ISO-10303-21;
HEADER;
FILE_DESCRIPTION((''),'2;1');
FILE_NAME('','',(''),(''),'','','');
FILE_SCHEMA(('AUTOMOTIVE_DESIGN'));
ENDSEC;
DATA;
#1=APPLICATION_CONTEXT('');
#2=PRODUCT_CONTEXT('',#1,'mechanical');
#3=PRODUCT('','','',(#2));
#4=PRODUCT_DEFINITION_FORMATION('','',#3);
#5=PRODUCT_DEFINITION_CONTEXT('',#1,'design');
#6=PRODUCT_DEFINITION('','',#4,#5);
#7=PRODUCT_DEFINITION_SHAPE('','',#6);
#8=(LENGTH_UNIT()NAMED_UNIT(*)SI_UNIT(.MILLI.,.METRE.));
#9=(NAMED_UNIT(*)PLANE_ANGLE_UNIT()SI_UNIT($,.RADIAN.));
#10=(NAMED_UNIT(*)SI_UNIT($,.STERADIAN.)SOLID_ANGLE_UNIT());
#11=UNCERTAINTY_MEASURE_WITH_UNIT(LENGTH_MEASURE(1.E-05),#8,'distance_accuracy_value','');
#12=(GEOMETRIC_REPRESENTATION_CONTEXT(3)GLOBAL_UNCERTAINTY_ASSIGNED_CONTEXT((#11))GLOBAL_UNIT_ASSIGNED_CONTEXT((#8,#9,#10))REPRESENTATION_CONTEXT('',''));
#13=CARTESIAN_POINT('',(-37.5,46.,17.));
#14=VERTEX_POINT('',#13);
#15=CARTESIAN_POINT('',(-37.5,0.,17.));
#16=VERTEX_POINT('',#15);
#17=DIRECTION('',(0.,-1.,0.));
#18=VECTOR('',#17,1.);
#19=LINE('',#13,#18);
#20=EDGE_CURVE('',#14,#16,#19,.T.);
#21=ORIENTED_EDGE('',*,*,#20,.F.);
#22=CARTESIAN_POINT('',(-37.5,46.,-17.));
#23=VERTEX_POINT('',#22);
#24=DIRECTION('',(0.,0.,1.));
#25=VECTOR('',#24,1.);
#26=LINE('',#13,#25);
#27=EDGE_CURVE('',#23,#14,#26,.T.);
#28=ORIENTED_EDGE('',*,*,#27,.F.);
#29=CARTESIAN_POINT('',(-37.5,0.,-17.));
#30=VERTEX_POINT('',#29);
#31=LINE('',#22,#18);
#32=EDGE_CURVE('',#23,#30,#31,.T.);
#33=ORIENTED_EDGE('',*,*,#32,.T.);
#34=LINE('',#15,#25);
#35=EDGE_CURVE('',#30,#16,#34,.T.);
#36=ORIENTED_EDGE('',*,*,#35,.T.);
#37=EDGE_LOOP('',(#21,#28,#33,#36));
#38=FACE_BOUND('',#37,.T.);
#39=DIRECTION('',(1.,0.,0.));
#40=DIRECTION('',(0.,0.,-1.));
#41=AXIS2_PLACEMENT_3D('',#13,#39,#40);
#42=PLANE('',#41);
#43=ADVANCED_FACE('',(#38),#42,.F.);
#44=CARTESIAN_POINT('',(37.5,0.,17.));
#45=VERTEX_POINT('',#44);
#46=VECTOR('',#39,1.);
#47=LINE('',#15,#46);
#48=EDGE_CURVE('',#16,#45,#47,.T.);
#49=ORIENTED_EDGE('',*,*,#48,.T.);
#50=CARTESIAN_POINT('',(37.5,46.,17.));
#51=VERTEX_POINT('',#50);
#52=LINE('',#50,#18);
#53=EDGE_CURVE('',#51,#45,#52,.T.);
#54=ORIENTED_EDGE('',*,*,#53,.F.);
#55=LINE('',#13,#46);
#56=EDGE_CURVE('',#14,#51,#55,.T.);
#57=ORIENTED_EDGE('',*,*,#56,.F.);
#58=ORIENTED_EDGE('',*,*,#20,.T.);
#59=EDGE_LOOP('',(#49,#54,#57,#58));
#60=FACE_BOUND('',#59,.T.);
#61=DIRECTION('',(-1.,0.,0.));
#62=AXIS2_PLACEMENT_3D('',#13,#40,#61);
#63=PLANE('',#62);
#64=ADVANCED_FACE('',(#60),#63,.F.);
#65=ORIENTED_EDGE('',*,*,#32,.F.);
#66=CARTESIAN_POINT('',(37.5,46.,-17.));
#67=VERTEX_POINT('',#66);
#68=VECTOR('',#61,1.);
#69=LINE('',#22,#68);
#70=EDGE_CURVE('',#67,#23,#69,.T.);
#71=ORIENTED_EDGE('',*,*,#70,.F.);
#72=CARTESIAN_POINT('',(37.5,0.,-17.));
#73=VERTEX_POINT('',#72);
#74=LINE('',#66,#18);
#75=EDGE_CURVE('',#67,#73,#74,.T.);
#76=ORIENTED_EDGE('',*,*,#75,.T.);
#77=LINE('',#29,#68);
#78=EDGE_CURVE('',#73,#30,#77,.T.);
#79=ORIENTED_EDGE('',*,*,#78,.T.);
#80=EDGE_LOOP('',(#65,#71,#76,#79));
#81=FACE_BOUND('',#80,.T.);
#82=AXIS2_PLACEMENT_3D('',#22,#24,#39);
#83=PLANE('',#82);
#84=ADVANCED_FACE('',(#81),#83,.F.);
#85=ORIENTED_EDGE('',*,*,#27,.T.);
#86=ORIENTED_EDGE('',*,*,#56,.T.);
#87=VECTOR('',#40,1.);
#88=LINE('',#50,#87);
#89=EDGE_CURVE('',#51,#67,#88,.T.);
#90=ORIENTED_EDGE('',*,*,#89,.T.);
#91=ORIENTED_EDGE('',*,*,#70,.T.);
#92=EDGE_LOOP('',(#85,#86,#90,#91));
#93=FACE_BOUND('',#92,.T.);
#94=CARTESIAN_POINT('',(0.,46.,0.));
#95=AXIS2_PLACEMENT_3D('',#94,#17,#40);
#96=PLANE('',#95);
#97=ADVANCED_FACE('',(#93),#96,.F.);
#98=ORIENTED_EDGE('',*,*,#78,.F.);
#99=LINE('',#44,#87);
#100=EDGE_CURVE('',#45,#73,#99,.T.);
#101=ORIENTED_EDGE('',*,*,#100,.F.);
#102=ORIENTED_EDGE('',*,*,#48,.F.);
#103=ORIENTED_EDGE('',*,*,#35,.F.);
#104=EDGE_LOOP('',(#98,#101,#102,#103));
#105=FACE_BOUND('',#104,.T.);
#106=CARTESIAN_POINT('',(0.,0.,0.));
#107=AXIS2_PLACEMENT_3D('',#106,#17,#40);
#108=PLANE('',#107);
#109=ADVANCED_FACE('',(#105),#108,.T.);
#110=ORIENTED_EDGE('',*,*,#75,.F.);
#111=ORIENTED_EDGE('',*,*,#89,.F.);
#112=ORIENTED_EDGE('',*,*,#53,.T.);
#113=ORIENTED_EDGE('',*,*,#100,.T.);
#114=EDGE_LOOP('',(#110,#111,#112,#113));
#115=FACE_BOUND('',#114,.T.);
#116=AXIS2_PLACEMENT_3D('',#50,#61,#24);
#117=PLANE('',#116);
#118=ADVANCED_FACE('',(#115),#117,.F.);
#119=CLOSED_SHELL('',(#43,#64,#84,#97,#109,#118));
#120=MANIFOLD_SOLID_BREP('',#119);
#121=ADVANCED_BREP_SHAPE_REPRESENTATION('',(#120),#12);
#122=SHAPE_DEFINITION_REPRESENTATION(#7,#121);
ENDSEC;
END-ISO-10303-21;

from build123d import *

# Parameters (mm, degrees)
SKETCH_2_W      = 75
SKETCH_2_H      = 34
EXTRUDE_1_DEPTH = 46


with BuildPart() as part:
    # 草图2 → 凸台-拉伸1 (new body)
    with BuildSketch(Plane(origin=(0, 0, 0), x_dir=(1, 0, 0), z_dir=(0, 1, 0))):
        Rectangle(SKETCH_2_W, SKETCH_2_H)
    extrude(amount=EXTRUDE_1_DEPTH)


solid = part.part
